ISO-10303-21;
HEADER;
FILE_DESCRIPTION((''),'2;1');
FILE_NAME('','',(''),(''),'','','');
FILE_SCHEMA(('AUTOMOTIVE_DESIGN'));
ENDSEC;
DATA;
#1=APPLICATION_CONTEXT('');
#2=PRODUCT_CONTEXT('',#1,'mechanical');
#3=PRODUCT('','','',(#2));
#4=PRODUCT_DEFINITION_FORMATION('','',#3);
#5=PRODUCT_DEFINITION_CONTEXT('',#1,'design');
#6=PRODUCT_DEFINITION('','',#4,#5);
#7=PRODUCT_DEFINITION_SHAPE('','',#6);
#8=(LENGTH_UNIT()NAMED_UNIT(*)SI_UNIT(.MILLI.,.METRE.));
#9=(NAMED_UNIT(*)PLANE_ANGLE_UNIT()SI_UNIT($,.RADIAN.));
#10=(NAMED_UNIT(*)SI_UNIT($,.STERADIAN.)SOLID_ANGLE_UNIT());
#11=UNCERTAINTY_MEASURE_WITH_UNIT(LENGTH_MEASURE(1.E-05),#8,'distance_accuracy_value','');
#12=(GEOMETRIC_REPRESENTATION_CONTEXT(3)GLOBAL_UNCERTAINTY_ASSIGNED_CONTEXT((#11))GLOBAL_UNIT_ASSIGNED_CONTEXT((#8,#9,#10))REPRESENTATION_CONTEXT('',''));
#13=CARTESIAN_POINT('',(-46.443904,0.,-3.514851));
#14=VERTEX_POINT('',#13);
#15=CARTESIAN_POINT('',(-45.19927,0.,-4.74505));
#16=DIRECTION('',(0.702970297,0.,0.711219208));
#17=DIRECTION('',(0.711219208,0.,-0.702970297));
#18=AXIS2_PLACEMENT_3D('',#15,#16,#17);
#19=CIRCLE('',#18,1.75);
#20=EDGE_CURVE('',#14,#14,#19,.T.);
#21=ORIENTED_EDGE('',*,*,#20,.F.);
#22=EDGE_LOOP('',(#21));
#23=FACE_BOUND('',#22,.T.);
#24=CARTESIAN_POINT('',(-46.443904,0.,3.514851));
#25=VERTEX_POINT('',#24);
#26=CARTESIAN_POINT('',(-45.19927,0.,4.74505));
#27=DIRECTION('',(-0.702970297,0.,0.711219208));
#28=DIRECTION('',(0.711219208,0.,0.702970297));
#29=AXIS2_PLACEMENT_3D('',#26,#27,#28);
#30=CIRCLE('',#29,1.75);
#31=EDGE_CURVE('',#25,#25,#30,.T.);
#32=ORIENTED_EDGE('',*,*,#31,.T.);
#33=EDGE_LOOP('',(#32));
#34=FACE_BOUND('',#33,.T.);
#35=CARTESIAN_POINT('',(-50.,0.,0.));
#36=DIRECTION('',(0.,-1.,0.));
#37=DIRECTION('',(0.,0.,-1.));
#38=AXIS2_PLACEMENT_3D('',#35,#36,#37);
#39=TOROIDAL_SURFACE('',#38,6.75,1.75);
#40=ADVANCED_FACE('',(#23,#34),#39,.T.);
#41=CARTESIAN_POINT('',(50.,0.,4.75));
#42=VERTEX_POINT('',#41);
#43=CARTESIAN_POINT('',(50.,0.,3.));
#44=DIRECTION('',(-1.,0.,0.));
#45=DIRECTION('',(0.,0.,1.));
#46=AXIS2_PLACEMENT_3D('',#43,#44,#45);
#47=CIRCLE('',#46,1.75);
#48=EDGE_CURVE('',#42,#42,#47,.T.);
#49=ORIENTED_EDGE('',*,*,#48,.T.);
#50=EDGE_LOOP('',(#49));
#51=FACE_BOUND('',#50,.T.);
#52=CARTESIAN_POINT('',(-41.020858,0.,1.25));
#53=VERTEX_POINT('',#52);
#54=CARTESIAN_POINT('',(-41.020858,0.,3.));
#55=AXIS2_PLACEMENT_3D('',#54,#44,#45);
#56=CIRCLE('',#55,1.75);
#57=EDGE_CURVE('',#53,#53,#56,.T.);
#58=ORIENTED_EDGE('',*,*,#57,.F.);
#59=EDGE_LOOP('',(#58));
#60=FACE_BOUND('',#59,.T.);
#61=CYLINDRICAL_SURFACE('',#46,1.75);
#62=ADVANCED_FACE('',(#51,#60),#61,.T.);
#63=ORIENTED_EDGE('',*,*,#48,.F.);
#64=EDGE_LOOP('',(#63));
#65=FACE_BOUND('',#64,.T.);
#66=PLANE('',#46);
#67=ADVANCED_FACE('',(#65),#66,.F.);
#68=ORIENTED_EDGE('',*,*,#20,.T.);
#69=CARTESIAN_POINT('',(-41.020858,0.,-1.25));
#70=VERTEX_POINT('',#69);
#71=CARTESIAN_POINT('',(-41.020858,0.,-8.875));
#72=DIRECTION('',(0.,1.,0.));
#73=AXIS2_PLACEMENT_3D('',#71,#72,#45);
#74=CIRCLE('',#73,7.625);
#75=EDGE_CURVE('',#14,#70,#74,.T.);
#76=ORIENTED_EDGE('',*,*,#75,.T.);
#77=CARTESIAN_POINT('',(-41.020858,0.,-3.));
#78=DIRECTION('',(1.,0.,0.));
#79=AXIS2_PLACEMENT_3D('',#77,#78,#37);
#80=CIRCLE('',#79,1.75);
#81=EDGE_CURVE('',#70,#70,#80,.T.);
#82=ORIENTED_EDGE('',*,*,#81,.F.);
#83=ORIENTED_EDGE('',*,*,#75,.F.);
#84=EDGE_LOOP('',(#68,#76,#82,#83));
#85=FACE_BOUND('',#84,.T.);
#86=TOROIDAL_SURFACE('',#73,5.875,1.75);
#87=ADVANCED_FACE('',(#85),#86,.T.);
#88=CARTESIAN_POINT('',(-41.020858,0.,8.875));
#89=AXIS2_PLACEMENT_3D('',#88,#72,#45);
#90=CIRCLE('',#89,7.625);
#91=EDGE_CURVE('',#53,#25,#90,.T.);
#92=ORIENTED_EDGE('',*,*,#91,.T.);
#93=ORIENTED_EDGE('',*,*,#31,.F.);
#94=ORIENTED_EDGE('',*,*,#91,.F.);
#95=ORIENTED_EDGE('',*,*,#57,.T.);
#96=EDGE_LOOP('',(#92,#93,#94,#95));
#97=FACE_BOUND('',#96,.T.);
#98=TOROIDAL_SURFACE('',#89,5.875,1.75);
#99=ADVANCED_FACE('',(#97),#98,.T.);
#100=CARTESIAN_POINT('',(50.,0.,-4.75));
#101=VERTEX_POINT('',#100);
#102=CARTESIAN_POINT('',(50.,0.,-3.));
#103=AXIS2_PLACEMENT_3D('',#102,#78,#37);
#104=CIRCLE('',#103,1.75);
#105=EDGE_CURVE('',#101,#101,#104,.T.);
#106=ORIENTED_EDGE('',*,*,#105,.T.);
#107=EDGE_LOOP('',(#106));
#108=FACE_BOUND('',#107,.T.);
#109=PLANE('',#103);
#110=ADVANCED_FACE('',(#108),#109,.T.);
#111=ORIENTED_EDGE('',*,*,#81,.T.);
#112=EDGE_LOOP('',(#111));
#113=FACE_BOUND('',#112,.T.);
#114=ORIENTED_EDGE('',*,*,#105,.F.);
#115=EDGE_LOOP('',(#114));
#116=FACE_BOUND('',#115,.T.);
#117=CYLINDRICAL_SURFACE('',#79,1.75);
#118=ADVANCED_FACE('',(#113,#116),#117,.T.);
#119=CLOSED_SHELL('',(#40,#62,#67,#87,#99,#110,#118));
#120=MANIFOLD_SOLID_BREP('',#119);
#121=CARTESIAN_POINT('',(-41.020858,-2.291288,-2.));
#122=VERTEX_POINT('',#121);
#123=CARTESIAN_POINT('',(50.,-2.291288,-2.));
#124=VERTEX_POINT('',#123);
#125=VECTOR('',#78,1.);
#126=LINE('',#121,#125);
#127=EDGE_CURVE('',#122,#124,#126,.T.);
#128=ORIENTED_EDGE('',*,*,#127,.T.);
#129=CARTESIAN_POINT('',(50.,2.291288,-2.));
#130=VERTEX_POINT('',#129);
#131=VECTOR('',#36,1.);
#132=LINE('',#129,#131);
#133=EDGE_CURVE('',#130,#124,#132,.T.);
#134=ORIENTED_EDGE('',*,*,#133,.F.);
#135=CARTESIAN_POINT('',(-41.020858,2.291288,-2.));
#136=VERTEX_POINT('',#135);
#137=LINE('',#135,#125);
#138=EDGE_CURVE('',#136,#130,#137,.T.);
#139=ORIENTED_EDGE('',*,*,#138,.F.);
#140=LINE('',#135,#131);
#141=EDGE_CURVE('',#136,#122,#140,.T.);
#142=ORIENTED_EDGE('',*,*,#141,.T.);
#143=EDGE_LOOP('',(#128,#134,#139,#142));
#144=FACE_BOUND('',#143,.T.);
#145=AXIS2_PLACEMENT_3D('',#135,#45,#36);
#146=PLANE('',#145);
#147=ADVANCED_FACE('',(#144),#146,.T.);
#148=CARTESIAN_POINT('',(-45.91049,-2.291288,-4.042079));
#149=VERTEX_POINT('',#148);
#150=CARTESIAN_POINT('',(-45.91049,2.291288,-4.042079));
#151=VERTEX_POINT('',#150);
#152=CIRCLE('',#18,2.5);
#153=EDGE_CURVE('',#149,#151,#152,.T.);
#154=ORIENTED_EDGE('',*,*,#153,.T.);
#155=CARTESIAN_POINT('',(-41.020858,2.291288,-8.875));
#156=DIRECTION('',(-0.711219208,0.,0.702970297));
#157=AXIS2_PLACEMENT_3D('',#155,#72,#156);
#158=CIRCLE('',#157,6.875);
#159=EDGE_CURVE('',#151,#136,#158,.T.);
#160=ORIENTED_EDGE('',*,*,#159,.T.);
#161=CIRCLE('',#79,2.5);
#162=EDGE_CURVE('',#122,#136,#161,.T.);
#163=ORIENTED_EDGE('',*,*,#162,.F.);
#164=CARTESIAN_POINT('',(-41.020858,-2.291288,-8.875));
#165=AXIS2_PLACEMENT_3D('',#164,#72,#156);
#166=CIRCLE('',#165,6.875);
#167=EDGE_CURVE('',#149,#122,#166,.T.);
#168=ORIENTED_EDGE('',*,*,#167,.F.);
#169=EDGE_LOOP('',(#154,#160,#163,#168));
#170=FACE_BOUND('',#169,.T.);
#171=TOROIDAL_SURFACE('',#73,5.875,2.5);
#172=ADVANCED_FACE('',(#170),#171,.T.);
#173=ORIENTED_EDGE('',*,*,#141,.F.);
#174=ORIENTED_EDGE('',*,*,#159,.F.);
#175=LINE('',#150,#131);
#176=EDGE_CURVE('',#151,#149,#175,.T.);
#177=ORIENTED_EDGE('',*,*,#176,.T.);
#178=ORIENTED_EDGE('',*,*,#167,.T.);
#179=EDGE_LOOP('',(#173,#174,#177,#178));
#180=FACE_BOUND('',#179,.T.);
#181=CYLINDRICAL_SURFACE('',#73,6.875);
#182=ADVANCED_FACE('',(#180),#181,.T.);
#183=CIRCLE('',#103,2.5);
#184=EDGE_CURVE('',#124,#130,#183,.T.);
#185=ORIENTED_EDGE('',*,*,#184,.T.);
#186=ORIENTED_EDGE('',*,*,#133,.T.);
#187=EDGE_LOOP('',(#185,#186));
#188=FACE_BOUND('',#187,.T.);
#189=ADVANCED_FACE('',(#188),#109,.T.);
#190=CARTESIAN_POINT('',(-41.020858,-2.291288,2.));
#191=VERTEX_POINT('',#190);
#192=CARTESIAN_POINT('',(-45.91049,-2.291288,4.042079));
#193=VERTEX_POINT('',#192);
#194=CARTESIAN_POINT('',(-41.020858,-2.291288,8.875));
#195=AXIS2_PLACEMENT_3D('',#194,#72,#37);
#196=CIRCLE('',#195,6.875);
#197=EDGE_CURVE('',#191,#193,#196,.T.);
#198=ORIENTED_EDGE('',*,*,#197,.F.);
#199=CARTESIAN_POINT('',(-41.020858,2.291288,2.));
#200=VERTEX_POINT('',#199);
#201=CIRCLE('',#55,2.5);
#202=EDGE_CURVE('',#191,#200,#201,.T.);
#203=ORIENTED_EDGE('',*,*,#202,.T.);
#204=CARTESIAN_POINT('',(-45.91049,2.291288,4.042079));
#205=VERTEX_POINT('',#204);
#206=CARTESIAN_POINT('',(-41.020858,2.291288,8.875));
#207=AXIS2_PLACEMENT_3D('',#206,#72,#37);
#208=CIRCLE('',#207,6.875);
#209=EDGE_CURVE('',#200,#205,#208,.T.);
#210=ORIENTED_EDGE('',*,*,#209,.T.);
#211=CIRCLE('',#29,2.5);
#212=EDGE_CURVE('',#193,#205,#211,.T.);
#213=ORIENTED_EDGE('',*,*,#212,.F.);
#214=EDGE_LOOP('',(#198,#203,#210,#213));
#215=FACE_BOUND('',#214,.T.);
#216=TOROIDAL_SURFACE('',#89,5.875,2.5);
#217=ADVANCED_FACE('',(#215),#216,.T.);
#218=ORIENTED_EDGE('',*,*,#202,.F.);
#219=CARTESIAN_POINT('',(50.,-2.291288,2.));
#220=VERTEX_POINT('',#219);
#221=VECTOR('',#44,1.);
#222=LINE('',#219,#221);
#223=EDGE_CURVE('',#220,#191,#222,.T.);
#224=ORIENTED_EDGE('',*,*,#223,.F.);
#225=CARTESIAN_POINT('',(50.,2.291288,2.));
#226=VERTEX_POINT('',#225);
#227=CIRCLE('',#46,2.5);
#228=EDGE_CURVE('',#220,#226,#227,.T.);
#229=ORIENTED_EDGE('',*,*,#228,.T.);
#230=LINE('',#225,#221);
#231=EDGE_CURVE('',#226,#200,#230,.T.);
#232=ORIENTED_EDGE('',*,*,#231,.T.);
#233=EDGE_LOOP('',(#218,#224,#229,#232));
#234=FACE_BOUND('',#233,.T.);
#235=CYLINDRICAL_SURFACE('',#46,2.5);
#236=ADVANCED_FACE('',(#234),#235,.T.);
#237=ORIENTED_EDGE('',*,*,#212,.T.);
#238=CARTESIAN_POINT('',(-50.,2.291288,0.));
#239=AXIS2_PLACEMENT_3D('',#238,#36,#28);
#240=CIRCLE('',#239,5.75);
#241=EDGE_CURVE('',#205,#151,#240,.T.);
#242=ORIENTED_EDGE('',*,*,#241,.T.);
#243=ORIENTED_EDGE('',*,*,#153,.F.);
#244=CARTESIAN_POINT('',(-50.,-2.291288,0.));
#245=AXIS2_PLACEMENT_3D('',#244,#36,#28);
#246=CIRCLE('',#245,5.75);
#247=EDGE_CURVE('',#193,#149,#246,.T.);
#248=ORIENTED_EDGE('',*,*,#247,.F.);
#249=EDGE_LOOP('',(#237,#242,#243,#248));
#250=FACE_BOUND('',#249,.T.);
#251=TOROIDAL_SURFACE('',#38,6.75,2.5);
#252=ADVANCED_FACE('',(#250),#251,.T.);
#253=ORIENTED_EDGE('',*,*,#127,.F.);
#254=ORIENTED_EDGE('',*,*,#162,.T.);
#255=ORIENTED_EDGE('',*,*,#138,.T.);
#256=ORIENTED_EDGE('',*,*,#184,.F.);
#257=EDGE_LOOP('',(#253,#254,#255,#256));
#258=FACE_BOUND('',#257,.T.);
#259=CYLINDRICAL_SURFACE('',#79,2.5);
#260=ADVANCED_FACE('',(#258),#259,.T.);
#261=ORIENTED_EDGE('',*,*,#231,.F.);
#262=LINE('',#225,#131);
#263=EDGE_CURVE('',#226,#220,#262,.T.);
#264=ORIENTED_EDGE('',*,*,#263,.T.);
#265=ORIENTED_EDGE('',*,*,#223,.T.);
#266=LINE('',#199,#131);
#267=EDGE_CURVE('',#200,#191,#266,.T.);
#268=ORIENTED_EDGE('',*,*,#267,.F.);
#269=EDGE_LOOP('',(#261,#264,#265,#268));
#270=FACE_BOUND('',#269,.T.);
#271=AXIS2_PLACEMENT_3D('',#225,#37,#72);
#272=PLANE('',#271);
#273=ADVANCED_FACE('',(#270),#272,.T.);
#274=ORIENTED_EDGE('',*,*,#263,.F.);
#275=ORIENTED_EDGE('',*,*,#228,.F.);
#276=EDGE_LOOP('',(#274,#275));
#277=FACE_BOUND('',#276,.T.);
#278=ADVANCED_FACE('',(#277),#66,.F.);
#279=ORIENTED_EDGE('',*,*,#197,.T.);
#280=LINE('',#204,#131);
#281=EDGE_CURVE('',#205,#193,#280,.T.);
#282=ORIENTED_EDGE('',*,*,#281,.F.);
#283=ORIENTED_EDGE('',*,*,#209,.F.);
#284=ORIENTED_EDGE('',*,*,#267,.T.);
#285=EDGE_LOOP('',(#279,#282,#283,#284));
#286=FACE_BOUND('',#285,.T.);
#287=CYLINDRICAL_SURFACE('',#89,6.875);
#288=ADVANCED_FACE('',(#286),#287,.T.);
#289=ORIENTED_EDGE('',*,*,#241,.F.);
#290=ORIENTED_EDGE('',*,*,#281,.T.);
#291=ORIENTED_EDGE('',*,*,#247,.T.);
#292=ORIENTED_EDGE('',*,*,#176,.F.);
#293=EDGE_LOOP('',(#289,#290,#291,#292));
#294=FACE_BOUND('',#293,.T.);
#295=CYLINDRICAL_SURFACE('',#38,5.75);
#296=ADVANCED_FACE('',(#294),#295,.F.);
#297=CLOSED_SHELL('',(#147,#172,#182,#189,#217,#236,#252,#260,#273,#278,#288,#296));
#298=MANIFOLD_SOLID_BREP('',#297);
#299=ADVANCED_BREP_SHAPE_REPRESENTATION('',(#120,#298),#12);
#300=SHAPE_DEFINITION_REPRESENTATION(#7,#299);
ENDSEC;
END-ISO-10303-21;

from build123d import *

# Parameters (mm, degrees)
SKETCH5_R = 1.75


with BuildPart() as part:
    # Sweep1: sweep along a path in Sketch1
    with BuildLine(Plane(origin=(0, 0, 0), x_dir=(1, 0, 0), z_dir=(0, 1, 0))) as sweep1_path:
        Line((50, -3), (-41.020857502, -3))
        ThreePointArc((-41.020857502, -3), (-43.284942951, -3.453787767), (-45.199270348, -4.745049505))
        ThreePointArc((-45.199270348, -4.745049505), (-56.75, 0), (-45.199270348, 4.745049505))
        ThreePointArc((-45.199270348, 4.745049505), (-43.284942951, 3.453787767), (-41.020857502, 3))
        Line((-41.020857502, 3), (50, 3))
    # Sketch5 → Sweep1 (sweep)
    with BuildSketch(Plane(origin=(50, 0, -3), x_dir=(0, 0, -1), z_dir=(1, 0, 0))):
        Circle(SKETCH5_R)
    sweep(path=sweep1_path.line)


with BuildPart() as body_2:
    # Sweep3: sweep along a path in Sketch1<3>
    with BuildLine(Plane(origin=(0, 0, 0), x_dir=(1, 0, 0), z_dir=(0, 1, 0))) as sweep3_path:
        Line((50, -3), (-41.020857502, -3))
        ThreePointArc((-41.020857502, -3), (-43.284942951, -3.453787767), (-45.199270348, -4.745049505))
        ThreePointArc((-45.199270348, -4.745049505), (-56.75, 0), (-45.199270348, 4.745049505))
        ThreePointArc((-45.199270348, 4.745049505), (-43.284942951, 3.453787767), (-41.020857502, 3))
        Line((-41.020857502, 3), (50, 3))
    # Sketch9 → Sweep3 (sweep)
    with BuildSketch(Plane(origin=(50, 0, -3), x_dir=(0, 0, -1), z_dir=(1, 0, 0))):
        with BuildLine():
            Line((-1, 2.291287847), (-1, -2.291287847))
            ThreePointArc((-1, -2.291287847), (2.5, 0), (-1, 2.291287847))
        make_face()
    sweep(path=sweep3_path.line)


solid = Compound([part.part, body_2.part])
